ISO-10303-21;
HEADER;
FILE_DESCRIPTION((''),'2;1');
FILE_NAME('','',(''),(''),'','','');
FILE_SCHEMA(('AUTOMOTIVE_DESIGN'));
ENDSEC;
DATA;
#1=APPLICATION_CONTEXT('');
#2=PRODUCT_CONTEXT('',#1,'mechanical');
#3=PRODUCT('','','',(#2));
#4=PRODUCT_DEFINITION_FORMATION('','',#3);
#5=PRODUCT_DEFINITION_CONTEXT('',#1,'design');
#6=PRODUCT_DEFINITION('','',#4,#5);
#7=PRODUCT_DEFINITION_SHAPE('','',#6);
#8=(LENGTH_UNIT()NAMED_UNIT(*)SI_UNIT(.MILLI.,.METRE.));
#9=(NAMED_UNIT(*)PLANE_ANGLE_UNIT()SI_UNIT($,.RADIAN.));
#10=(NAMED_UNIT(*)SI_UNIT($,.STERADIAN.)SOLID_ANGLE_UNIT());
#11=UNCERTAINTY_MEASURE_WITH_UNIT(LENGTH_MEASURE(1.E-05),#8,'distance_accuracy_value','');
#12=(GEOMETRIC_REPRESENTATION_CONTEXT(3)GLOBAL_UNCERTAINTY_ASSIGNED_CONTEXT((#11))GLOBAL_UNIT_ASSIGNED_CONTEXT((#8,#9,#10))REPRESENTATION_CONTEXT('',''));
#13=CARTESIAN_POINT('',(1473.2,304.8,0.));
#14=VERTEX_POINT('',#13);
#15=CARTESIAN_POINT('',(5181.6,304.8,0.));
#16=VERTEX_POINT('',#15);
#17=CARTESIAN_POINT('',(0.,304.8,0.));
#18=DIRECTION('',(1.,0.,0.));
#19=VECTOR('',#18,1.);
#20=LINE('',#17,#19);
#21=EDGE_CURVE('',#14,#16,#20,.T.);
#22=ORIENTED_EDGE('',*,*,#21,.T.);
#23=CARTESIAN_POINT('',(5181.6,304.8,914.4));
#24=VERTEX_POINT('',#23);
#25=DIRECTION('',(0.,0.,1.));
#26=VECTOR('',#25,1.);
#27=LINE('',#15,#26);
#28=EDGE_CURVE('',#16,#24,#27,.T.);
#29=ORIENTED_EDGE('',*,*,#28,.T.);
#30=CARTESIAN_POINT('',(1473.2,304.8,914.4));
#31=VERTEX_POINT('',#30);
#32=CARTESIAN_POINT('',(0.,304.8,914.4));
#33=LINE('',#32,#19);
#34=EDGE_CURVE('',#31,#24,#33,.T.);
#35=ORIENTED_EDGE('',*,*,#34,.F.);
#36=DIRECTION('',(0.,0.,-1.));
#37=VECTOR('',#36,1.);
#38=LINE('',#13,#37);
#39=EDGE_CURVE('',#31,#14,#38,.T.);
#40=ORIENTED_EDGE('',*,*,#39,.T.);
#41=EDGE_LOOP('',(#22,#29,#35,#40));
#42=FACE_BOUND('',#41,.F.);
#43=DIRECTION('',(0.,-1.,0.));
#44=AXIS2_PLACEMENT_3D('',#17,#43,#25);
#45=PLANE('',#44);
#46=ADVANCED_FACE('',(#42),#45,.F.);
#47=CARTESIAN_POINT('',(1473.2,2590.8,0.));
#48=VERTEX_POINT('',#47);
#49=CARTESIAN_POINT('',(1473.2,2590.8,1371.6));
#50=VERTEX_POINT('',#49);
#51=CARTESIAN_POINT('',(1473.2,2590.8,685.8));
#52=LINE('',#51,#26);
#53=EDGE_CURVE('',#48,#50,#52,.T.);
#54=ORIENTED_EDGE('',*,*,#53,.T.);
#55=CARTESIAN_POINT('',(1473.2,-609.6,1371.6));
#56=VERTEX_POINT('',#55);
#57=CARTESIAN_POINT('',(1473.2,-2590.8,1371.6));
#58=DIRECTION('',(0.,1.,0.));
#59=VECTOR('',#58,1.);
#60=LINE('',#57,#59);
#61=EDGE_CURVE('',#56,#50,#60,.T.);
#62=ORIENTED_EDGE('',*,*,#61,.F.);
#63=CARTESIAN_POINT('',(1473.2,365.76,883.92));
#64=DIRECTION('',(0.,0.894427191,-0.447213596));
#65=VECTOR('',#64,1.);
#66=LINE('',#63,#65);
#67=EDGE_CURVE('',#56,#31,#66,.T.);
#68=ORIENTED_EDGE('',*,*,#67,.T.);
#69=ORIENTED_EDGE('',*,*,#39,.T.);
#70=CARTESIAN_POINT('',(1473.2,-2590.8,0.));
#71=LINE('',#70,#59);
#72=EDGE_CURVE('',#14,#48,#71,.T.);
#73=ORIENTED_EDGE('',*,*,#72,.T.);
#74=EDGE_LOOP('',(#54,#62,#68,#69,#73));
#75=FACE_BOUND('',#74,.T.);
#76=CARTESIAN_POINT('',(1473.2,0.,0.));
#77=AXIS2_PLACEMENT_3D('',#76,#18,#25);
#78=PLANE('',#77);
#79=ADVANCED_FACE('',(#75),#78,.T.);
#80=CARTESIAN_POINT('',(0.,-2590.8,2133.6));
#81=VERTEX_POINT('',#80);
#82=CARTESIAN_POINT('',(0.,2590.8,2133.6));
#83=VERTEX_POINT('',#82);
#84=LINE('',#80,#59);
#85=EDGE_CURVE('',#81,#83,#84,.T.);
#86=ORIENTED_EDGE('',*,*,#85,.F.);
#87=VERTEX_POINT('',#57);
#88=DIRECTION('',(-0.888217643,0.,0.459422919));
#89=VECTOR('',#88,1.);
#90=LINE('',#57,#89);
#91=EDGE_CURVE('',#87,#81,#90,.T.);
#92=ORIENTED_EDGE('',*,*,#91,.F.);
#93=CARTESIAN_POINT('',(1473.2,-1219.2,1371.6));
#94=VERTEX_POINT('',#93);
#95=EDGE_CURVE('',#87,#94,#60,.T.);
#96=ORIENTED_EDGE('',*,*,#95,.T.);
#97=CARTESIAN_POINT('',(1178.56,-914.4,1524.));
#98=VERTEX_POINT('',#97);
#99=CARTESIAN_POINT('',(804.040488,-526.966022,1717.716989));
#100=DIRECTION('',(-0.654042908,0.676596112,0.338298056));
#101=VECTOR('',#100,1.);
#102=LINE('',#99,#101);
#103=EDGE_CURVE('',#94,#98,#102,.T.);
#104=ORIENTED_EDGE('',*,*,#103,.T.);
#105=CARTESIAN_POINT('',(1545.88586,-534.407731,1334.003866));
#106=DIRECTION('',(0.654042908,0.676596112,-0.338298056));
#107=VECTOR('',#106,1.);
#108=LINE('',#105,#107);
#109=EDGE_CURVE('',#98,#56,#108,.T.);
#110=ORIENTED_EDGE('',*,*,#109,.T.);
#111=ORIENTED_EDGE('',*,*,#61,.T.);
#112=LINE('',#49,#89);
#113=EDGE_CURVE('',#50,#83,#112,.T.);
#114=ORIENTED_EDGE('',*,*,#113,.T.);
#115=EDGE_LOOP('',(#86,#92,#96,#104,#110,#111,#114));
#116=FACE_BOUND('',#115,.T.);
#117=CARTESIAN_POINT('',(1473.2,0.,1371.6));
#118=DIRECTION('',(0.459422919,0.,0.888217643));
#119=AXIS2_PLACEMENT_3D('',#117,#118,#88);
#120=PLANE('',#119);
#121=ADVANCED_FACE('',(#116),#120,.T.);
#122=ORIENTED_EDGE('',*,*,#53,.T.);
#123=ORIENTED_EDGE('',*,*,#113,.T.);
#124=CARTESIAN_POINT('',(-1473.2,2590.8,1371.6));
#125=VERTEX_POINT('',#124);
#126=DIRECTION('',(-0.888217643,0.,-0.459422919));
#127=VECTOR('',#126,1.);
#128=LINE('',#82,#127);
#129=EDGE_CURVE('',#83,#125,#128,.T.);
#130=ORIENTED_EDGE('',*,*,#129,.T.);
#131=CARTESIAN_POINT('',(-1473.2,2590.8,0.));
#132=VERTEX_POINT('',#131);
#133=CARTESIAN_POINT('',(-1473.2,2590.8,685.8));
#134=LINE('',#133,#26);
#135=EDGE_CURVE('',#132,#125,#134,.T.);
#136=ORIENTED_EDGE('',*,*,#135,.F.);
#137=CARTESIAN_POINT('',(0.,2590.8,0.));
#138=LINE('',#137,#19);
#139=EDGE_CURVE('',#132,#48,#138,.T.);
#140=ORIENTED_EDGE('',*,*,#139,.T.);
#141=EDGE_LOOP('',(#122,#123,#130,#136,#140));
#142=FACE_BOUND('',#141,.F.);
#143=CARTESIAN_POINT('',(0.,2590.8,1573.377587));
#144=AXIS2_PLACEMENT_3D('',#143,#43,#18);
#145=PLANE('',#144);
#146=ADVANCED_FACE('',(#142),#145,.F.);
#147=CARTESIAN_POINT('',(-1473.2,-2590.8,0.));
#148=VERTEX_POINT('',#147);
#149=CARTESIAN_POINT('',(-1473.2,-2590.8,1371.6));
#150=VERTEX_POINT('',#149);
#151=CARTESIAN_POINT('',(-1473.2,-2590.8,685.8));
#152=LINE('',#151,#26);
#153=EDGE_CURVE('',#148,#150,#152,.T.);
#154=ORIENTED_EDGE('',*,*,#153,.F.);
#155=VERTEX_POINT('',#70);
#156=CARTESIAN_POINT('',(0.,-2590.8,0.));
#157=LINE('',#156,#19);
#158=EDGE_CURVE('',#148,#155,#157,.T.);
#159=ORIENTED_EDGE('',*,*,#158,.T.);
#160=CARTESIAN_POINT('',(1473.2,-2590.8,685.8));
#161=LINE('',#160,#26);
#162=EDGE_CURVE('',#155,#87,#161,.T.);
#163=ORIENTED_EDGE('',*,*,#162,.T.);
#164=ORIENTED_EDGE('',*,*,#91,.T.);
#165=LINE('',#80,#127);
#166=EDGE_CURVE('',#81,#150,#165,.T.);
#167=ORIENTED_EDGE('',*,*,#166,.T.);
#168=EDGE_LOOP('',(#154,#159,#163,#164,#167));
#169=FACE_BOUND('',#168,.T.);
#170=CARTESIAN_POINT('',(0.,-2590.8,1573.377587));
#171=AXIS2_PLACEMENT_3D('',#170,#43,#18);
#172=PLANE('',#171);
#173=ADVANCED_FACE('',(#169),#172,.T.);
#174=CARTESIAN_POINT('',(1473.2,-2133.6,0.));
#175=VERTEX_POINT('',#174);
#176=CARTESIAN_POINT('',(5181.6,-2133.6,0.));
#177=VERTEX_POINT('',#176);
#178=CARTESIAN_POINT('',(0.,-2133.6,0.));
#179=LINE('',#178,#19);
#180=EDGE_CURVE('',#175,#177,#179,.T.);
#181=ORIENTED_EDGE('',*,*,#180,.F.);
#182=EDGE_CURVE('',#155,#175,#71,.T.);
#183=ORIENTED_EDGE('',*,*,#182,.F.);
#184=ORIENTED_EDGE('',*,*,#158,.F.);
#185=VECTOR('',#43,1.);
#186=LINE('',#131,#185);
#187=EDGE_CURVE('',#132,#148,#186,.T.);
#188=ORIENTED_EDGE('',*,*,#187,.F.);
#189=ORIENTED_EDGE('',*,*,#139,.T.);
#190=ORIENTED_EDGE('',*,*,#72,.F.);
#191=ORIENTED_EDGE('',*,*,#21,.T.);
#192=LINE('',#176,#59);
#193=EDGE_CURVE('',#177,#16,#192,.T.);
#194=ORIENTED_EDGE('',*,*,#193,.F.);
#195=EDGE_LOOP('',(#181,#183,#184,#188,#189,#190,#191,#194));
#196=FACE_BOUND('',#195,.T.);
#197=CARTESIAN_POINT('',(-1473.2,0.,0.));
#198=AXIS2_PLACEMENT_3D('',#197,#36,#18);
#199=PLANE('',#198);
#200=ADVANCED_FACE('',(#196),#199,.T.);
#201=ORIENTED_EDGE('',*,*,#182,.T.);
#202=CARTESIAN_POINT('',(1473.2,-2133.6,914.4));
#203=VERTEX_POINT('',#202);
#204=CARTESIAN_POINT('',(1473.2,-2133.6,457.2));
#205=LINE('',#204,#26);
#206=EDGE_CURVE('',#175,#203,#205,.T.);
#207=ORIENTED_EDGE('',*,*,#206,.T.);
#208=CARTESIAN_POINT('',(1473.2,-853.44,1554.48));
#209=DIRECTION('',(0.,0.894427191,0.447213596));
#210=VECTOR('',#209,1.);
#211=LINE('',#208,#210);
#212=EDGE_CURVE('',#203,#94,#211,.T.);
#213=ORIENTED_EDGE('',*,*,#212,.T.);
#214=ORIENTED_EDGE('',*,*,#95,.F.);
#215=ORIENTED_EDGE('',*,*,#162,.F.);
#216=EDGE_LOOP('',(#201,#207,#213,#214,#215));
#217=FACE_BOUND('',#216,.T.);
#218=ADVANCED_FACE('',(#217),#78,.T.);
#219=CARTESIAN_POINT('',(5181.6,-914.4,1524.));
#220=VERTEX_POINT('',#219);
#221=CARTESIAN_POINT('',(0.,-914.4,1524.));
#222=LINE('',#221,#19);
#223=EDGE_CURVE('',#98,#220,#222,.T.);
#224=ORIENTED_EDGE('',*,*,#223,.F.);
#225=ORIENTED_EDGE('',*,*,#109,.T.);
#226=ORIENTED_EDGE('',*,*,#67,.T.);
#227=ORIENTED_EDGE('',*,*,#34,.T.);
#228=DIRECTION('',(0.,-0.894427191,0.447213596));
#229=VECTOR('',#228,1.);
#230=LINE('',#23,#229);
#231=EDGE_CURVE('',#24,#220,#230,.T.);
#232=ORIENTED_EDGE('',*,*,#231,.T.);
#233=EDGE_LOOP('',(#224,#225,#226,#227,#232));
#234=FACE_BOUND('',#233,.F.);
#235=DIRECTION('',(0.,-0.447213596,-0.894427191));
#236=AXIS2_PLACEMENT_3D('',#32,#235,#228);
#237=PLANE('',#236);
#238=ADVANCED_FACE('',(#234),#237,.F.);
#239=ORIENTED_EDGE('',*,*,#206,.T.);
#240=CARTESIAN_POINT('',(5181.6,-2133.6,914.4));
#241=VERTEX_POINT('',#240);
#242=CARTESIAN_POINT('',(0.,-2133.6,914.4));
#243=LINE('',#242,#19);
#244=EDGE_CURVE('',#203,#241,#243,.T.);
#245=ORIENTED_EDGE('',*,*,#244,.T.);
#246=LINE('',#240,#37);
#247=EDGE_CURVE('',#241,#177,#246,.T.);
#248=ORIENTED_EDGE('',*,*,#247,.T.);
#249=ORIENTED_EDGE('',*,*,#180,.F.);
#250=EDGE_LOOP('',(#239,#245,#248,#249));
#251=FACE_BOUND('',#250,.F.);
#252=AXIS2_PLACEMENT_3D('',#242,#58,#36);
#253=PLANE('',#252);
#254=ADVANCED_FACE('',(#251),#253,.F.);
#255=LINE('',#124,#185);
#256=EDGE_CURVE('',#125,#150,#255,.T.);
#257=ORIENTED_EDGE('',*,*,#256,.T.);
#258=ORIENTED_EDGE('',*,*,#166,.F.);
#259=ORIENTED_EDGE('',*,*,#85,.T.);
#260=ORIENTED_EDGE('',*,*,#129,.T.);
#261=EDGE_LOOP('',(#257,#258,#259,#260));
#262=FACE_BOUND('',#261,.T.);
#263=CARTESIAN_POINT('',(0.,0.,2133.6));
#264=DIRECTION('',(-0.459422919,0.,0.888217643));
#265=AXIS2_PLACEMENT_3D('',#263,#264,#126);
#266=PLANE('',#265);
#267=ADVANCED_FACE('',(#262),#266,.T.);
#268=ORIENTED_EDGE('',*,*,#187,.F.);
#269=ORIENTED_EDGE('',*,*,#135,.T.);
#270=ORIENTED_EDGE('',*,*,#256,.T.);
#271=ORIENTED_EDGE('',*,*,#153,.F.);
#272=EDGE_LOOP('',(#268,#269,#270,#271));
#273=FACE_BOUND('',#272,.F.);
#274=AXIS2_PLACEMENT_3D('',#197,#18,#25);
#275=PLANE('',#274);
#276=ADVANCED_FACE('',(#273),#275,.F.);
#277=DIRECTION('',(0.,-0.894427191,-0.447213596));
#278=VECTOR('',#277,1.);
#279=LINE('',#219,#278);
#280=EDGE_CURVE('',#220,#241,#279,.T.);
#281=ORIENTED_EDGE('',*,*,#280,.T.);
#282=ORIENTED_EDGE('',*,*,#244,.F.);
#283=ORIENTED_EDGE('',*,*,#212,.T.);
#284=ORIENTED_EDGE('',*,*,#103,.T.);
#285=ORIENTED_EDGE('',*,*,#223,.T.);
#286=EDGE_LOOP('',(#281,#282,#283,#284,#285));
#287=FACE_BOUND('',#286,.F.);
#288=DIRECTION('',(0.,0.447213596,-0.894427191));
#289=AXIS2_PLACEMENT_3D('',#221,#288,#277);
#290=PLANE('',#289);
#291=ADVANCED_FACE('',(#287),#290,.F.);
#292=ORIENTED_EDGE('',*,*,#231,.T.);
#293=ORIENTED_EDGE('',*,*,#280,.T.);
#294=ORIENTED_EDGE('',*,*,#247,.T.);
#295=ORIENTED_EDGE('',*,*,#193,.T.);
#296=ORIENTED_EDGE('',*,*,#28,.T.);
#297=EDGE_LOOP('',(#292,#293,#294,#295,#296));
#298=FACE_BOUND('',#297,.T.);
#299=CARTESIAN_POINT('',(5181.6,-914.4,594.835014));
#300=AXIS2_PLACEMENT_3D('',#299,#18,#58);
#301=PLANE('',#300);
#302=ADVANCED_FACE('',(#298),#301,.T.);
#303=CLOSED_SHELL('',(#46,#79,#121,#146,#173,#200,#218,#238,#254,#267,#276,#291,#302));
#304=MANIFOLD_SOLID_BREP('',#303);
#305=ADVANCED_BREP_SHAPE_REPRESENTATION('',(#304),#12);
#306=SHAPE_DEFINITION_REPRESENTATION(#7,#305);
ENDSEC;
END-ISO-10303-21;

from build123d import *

# Parameters (mm, degrees)
F0_W     = 2946.4
F0_H     = 1371.6
F1_DEPTH = 2590.8
F3_DEPTH = 5181.6


with BuildPart() as f1:
    # F0 (on Front) → F1 (new body, symmetric)
    with BuildSketch(Plane.XZ):
        Polygon((0, 2133.6), (-1473.2, 1371.6), (1473.2, 1371.6), align=None)
        with Locations((0, 685.8)):
            Rectangle(F0_W, F0_H)
    extrude(amount=F1_DEPTH, both=True)

    # F2 (on Right) → F3 (join)
    with BuildSketch(Plane.YZ):
        Polygon((304.8, 0), (304.8, 914.4), (-914.4, 1524), (-2133.6, 914.4), (-2133.6, 0), align=None)
    extrude(amount=F3_DEPTH)


solid = f1.part
